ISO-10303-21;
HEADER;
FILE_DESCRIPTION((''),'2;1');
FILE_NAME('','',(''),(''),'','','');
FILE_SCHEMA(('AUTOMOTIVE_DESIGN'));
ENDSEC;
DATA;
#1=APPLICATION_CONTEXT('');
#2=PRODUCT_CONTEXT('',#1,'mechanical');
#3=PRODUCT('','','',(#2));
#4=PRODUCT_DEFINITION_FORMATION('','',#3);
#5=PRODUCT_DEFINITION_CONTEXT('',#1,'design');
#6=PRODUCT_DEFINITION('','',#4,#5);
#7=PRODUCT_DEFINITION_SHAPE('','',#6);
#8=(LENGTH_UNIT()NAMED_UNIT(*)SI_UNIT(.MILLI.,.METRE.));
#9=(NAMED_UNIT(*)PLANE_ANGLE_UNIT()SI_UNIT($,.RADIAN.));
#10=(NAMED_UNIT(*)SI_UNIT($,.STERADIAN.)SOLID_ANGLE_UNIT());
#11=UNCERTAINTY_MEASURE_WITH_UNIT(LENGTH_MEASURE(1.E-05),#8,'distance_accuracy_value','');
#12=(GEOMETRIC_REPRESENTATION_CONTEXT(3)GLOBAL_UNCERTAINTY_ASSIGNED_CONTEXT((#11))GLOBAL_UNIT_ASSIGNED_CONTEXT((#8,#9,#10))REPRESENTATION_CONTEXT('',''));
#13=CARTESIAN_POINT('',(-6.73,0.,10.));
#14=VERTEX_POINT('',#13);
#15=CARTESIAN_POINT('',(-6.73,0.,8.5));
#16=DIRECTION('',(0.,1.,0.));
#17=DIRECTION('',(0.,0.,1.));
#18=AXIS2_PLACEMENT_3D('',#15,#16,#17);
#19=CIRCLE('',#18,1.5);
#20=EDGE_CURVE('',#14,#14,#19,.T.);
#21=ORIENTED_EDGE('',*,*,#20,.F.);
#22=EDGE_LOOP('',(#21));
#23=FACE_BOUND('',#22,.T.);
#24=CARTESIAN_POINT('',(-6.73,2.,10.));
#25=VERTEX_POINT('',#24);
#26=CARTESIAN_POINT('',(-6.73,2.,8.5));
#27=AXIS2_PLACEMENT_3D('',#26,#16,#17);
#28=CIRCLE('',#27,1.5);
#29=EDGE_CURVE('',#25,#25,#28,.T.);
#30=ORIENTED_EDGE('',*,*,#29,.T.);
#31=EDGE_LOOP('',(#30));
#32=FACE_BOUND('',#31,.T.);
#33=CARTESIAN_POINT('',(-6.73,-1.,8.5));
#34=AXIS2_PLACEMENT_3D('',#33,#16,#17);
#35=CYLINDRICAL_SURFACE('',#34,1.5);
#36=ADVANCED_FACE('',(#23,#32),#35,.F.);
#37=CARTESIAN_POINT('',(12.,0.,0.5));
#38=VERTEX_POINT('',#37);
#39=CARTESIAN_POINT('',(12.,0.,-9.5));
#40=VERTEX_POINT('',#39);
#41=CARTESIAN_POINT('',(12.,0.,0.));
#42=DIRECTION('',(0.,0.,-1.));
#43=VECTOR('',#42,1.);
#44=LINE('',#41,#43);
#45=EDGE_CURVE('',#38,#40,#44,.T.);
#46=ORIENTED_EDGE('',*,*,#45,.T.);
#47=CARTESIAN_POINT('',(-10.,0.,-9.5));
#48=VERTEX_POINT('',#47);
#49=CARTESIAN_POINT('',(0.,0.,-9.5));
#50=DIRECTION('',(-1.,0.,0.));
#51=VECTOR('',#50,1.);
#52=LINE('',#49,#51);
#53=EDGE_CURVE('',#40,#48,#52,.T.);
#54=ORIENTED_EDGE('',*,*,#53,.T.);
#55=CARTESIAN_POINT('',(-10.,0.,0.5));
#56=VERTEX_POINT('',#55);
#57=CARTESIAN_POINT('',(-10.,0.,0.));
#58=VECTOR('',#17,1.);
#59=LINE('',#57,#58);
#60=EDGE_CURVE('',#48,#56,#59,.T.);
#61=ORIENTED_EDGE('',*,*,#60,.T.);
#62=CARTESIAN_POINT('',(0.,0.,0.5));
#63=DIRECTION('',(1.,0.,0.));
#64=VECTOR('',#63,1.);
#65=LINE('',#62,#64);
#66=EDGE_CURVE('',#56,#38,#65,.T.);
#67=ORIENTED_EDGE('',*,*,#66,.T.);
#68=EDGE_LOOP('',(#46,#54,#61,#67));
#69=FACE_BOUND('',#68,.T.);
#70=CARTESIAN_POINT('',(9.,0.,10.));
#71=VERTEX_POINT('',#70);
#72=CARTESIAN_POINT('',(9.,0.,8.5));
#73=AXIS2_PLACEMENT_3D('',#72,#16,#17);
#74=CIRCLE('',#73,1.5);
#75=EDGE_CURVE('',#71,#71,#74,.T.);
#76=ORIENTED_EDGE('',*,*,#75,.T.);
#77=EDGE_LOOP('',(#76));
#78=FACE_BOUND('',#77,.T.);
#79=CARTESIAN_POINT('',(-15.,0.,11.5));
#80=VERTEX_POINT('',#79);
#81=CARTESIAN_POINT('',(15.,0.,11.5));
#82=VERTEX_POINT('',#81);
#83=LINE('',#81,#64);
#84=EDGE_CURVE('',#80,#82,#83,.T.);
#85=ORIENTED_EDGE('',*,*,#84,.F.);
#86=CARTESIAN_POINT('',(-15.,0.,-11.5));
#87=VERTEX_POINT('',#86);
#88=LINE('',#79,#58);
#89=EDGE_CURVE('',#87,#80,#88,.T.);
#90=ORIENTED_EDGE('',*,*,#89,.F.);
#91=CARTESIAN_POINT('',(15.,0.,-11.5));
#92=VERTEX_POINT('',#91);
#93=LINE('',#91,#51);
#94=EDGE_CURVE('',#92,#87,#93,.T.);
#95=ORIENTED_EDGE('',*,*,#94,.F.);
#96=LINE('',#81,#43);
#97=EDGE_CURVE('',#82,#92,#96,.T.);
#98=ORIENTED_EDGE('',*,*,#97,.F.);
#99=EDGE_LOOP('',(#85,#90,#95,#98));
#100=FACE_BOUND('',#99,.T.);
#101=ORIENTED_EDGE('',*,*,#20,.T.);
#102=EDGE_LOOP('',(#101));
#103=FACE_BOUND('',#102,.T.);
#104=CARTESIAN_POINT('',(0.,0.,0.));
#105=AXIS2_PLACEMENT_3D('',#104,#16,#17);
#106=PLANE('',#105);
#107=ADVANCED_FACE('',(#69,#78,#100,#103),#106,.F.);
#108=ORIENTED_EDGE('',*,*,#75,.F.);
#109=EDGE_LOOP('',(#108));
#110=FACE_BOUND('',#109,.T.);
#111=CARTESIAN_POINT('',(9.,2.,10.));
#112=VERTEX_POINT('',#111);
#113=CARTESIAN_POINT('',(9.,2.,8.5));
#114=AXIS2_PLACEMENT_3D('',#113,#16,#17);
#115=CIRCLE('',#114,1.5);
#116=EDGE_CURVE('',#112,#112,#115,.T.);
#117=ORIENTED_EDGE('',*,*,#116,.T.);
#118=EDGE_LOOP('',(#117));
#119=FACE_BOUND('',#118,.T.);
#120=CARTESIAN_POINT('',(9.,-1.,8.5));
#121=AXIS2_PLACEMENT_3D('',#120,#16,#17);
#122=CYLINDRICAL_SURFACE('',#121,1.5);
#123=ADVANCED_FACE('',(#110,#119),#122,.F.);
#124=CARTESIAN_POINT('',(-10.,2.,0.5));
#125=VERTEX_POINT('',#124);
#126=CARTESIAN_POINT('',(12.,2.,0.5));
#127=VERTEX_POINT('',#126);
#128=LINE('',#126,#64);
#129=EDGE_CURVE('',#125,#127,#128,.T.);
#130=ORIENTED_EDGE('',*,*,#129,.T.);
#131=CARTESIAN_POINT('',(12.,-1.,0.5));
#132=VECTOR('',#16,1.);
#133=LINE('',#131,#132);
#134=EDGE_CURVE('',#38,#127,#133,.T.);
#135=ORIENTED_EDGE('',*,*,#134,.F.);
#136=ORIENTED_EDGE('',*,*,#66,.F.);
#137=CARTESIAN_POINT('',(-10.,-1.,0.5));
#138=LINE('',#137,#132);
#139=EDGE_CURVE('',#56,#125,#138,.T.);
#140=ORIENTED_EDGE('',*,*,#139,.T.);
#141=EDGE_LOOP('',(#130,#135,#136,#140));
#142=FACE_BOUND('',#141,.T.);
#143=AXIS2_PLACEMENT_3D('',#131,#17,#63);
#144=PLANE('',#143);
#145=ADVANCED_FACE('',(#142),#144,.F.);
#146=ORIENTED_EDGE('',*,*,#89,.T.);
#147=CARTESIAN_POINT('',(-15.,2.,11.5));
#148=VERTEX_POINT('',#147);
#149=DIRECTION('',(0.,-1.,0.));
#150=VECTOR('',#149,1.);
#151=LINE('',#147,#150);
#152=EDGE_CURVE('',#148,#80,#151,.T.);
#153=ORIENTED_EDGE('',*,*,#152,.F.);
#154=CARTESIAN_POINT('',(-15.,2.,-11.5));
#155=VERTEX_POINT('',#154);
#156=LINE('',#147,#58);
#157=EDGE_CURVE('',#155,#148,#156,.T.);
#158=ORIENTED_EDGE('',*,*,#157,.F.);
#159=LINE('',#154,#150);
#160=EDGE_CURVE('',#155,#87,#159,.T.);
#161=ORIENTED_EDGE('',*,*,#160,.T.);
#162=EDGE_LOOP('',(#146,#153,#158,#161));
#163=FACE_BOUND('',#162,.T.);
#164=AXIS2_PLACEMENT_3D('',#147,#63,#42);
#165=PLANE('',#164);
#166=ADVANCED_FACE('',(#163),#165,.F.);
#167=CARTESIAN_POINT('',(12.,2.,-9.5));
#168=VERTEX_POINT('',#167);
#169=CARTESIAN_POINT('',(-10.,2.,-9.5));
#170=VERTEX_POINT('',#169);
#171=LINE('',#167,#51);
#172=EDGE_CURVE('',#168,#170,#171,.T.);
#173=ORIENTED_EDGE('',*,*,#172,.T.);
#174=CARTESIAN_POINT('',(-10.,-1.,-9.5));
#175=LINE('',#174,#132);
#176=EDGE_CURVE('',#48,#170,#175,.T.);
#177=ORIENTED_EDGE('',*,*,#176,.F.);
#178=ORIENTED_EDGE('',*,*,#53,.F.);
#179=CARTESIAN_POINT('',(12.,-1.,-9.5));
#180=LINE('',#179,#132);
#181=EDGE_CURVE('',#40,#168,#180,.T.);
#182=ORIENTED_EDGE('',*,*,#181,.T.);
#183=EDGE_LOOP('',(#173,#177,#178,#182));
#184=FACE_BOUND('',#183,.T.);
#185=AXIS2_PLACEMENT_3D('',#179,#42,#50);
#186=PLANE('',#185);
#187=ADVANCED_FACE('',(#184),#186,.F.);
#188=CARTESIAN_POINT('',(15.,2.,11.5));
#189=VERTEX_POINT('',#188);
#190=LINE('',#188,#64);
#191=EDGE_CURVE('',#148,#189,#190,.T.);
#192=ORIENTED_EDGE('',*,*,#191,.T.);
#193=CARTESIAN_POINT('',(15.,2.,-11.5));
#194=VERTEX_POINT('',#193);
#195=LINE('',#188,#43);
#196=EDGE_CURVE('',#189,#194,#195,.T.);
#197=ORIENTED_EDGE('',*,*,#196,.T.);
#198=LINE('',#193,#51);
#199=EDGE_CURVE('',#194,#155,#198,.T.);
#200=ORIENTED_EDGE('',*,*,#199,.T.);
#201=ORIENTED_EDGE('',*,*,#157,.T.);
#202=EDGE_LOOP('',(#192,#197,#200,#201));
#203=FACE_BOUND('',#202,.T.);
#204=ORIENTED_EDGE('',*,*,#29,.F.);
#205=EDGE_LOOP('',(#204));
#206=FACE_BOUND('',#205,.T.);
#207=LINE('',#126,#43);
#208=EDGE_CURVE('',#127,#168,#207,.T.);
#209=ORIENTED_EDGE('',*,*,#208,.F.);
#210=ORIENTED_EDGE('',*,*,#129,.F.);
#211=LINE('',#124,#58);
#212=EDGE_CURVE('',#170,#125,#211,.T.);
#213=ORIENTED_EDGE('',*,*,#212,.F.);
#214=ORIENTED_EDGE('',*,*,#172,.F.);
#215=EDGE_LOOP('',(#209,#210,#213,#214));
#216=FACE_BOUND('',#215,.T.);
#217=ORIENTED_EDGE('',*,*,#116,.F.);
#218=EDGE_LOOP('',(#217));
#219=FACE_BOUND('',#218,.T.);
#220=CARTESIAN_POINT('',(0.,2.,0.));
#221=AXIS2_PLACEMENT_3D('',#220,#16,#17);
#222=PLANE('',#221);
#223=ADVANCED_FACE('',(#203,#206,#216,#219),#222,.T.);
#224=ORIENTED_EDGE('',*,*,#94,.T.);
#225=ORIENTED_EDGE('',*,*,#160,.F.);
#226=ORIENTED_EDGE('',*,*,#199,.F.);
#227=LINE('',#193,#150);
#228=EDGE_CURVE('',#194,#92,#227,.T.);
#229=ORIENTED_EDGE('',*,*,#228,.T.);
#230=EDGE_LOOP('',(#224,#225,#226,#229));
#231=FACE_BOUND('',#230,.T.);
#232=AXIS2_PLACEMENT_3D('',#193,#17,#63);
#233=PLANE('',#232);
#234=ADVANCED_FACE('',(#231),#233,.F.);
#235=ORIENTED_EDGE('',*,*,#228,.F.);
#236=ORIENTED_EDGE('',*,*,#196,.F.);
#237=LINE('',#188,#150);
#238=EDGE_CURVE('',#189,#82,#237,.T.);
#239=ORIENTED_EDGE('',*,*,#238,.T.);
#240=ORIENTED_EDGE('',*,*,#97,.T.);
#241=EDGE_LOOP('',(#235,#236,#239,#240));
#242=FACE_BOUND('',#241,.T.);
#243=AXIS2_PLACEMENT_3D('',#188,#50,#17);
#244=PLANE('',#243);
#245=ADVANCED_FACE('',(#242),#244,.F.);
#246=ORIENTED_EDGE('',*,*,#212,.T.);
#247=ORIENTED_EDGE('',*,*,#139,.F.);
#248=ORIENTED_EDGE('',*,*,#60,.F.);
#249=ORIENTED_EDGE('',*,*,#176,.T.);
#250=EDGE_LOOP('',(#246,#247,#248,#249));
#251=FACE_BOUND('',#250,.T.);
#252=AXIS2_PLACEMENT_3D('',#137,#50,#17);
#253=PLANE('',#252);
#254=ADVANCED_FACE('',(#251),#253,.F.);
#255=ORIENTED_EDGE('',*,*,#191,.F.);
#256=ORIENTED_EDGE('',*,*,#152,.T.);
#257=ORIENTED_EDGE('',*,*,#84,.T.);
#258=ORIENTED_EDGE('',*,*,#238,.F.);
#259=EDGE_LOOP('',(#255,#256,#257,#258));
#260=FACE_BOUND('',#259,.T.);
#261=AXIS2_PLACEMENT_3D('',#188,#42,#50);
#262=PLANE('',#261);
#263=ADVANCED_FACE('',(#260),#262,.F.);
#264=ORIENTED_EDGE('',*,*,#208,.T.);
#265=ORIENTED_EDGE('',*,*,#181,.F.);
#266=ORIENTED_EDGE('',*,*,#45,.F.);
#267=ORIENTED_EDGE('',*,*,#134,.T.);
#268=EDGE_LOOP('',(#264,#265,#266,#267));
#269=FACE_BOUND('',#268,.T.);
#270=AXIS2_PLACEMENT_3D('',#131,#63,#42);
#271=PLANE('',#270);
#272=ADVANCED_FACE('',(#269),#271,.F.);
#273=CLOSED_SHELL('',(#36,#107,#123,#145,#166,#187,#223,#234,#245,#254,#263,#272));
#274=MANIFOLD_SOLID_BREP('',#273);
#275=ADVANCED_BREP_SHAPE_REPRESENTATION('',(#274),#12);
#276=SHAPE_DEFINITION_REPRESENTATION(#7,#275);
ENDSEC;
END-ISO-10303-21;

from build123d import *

# Parameters (mm, degrees)
SKETCH1_W           = 30
SKETCH1_H           = 23
BOSS_EXTRUDE1_DEPTH = 2
SKETCH3_R           = 1.5
SKETCH3_W           = 22
SKETCH3_H           = 10
CUT_EXTRUDE2_DEPTH  = 3


with BuildPart() as part:
    # Sketch1 → Boss-Extrude1 (new body)
    with BuildSketch(Plane(origin=(0, 0, 0), x_dir=(1, 0, 0), z_dir=(0, 1, 0))):
        Rectangle(SKETCH1_W, SKETCH1_H)
    extrude(amount=BOSS_EXTRUDE1_DEPTH)

    # Sketch3 → Cut-Extrude2 (cut)
    with BuildSketch(Plane(origin=(0, 2, 0), x_dir=(1, 0, 0), z_dir=(0, 1, 0))):
        with Locations(Location((-6.73, -8.5, 0), (0, 0, 270))):
            Circle(SKETCH3_R)
        with Locations(Location((9, -8.5, 0), (0, 0, 270))):
            Circle(SKETCH3_R)
        with Locations((1, 4.5)):
            Rectangle(SKETCH3_W, SKETCH3_H)
    extrude(amount=-CUT_EXTRUDE2_DEPTH, mode=Mode.SUBTRACT)


solid = part.part
